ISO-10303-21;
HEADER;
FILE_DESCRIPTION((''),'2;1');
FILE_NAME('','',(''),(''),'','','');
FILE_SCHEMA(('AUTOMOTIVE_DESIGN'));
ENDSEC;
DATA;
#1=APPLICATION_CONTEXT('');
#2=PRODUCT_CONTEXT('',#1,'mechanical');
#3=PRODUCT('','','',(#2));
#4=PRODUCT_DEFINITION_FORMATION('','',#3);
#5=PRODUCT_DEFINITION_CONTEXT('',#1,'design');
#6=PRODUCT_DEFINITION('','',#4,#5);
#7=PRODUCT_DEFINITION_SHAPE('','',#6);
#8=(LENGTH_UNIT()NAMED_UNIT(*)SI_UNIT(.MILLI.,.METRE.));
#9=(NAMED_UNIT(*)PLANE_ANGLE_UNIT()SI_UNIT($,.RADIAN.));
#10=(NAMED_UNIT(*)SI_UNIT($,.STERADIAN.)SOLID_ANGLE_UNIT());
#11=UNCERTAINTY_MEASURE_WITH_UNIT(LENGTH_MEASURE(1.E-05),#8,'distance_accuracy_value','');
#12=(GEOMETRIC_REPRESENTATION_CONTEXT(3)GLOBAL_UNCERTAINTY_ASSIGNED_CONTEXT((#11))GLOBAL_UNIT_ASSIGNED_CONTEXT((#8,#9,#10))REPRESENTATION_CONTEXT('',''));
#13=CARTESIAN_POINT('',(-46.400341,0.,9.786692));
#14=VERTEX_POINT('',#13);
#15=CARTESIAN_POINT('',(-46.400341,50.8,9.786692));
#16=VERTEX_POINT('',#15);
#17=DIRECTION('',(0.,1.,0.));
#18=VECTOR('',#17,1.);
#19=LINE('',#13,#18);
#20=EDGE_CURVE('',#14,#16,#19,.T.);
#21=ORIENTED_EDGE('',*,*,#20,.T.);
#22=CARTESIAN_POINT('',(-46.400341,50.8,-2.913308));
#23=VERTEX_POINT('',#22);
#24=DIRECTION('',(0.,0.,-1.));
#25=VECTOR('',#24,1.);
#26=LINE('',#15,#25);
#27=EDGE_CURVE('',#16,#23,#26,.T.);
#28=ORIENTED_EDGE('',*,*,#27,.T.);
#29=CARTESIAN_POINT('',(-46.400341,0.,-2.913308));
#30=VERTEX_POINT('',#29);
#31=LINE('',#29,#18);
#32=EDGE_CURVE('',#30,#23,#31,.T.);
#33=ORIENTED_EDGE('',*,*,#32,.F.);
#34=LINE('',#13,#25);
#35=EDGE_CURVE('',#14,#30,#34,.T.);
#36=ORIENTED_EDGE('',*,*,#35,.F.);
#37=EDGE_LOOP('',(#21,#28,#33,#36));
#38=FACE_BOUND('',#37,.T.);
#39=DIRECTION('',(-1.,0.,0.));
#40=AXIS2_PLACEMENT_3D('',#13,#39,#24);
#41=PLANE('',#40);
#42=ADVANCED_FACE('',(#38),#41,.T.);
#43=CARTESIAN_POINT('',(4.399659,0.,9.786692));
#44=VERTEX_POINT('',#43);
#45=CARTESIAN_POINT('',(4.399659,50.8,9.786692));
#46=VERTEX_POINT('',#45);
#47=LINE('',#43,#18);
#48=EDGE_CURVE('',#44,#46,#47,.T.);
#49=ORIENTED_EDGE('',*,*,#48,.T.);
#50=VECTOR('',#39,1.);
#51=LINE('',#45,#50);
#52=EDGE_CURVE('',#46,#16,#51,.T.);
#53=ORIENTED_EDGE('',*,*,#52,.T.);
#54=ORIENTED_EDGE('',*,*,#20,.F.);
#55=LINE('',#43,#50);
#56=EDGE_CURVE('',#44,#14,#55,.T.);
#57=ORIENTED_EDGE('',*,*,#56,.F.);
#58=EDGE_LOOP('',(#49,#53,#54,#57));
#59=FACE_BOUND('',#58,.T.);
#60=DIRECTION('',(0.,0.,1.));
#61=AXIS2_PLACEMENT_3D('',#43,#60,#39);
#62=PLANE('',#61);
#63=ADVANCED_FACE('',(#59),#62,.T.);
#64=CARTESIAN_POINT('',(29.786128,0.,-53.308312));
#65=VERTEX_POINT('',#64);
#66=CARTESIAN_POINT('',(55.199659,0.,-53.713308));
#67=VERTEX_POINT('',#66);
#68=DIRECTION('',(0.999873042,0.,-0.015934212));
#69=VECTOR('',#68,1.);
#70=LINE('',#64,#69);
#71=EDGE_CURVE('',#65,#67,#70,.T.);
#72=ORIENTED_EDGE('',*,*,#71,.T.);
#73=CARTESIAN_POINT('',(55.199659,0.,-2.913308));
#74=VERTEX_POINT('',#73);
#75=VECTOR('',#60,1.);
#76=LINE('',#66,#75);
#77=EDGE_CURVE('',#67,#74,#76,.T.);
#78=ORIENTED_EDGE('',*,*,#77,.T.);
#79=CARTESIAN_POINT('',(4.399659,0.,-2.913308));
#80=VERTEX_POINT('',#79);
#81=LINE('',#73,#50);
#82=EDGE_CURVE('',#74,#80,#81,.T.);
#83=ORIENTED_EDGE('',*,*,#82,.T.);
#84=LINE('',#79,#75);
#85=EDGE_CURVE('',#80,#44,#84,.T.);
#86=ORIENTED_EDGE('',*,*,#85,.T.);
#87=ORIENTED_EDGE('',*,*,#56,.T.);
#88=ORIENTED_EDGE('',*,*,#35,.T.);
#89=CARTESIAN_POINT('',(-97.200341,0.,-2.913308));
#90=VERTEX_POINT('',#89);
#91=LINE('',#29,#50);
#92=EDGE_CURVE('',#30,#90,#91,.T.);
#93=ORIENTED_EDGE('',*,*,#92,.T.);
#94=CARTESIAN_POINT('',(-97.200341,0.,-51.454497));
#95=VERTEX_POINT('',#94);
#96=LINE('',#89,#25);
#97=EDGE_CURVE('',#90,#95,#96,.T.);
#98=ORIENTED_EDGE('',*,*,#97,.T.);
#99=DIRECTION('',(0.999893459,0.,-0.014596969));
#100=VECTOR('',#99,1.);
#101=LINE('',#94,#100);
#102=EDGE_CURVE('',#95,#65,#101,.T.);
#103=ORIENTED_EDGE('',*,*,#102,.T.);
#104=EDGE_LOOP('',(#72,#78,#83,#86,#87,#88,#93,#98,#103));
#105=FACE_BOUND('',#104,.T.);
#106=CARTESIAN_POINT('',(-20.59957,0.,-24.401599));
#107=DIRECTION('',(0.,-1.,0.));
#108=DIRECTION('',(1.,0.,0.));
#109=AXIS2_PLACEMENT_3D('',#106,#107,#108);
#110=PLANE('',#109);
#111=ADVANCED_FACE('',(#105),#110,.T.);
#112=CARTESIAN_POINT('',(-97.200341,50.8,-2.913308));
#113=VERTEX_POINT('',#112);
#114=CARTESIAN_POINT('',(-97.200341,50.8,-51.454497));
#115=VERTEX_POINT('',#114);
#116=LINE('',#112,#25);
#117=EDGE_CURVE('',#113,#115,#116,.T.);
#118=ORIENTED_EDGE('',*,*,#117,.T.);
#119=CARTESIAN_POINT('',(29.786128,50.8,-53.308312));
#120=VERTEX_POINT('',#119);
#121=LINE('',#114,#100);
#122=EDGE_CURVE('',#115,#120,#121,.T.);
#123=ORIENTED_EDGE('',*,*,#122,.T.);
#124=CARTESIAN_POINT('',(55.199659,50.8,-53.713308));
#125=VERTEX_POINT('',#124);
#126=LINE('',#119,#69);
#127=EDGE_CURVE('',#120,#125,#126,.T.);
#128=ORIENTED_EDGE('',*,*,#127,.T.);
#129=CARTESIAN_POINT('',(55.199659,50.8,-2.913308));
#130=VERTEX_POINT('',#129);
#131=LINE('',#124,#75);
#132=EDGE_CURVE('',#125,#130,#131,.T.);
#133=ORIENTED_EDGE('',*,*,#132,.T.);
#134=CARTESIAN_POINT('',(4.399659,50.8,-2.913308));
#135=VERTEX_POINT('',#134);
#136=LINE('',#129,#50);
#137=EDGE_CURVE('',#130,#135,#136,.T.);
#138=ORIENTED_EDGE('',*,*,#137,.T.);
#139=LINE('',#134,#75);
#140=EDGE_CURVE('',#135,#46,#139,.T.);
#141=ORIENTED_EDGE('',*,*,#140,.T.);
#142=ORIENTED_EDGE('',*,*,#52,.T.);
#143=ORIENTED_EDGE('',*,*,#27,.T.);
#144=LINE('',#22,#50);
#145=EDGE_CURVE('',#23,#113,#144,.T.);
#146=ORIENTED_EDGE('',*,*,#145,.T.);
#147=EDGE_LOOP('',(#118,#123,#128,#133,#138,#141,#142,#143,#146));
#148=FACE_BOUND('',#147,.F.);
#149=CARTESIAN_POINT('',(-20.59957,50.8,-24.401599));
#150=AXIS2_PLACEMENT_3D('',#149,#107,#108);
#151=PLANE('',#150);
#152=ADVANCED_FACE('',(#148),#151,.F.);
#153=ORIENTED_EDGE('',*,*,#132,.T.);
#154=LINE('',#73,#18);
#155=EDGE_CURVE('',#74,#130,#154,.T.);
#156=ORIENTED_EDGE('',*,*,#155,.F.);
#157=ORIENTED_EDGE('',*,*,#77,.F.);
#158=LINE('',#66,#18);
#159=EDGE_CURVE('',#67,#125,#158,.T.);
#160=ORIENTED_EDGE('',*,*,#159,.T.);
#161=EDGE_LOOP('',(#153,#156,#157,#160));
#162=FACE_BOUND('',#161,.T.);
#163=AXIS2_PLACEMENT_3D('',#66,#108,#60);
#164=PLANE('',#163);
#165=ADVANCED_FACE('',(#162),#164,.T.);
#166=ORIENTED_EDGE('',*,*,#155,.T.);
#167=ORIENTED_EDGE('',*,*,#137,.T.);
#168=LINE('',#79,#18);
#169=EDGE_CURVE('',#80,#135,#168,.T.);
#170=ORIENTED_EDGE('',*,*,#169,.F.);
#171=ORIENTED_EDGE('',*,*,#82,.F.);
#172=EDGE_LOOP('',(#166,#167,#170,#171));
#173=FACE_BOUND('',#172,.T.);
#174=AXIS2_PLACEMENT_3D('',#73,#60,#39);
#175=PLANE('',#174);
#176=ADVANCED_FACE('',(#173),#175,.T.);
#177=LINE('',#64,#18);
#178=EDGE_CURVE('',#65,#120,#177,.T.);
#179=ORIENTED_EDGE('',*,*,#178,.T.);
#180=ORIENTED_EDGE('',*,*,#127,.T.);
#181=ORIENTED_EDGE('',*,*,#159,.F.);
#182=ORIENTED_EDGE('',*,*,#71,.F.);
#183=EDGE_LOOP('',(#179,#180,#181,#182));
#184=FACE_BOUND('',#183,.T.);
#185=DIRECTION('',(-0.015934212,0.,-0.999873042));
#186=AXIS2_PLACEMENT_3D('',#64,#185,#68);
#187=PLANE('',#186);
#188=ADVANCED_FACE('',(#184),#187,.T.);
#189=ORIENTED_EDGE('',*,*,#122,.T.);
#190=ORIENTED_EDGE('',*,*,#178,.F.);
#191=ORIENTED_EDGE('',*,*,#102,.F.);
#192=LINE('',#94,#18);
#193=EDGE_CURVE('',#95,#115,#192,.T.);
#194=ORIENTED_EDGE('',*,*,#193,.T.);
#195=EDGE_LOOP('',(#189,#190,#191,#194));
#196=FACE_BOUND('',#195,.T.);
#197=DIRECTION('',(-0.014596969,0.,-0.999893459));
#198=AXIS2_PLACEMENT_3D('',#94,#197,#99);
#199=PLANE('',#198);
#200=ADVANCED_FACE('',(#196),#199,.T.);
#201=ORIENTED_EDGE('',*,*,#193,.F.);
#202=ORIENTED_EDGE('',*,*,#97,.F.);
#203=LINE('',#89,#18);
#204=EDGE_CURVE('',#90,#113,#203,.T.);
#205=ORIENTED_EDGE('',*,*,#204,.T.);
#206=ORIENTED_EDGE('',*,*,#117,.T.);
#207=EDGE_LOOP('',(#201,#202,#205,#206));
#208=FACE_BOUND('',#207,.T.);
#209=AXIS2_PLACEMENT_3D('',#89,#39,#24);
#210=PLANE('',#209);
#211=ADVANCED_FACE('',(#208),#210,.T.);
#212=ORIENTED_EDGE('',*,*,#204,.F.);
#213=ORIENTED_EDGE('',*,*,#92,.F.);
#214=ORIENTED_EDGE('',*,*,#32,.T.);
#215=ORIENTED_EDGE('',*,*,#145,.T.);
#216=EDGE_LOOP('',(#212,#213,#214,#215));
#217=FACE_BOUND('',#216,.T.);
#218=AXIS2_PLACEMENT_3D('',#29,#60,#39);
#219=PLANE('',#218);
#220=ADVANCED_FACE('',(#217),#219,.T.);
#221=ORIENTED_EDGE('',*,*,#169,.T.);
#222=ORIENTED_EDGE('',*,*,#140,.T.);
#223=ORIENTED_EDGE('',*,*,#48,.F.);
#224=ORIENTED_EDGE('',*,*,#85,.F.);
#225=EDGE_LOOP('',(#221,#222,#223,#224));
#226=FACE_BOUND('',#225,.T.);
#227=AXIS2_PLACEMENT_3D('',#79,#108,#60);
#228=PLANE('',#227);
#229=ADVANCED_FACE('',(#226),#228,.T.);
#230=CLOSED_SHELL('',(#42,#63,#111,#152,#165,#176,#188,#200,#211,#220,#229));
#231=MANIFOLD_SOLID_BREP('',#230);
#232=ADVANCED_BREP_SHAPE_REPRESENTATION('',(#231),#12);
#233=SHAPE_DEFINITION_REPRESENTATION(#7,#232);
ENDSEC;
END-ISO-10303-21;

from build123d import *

# Parameters (mm, degrees)
F1_DEPTH = 50.8


with BuildPart() as f1:
    # F0 (on Front) → F1 (new body)
    with BuildSketch(Plane.XZ):
        Polygon((-97.200341, -51.454497), (29.786128, -53.308312), (55.199659, -53.713308), (55.199659, -2.913308), (4.399659, -2.913308), (4.399659, 9.786692), (-46.400341, 9.786692), (-46.400341, -2.913308), (-97.200341, -2.913308), align=None)
    extrude(amount=-F1_DEPTH)


solid = f1.part
